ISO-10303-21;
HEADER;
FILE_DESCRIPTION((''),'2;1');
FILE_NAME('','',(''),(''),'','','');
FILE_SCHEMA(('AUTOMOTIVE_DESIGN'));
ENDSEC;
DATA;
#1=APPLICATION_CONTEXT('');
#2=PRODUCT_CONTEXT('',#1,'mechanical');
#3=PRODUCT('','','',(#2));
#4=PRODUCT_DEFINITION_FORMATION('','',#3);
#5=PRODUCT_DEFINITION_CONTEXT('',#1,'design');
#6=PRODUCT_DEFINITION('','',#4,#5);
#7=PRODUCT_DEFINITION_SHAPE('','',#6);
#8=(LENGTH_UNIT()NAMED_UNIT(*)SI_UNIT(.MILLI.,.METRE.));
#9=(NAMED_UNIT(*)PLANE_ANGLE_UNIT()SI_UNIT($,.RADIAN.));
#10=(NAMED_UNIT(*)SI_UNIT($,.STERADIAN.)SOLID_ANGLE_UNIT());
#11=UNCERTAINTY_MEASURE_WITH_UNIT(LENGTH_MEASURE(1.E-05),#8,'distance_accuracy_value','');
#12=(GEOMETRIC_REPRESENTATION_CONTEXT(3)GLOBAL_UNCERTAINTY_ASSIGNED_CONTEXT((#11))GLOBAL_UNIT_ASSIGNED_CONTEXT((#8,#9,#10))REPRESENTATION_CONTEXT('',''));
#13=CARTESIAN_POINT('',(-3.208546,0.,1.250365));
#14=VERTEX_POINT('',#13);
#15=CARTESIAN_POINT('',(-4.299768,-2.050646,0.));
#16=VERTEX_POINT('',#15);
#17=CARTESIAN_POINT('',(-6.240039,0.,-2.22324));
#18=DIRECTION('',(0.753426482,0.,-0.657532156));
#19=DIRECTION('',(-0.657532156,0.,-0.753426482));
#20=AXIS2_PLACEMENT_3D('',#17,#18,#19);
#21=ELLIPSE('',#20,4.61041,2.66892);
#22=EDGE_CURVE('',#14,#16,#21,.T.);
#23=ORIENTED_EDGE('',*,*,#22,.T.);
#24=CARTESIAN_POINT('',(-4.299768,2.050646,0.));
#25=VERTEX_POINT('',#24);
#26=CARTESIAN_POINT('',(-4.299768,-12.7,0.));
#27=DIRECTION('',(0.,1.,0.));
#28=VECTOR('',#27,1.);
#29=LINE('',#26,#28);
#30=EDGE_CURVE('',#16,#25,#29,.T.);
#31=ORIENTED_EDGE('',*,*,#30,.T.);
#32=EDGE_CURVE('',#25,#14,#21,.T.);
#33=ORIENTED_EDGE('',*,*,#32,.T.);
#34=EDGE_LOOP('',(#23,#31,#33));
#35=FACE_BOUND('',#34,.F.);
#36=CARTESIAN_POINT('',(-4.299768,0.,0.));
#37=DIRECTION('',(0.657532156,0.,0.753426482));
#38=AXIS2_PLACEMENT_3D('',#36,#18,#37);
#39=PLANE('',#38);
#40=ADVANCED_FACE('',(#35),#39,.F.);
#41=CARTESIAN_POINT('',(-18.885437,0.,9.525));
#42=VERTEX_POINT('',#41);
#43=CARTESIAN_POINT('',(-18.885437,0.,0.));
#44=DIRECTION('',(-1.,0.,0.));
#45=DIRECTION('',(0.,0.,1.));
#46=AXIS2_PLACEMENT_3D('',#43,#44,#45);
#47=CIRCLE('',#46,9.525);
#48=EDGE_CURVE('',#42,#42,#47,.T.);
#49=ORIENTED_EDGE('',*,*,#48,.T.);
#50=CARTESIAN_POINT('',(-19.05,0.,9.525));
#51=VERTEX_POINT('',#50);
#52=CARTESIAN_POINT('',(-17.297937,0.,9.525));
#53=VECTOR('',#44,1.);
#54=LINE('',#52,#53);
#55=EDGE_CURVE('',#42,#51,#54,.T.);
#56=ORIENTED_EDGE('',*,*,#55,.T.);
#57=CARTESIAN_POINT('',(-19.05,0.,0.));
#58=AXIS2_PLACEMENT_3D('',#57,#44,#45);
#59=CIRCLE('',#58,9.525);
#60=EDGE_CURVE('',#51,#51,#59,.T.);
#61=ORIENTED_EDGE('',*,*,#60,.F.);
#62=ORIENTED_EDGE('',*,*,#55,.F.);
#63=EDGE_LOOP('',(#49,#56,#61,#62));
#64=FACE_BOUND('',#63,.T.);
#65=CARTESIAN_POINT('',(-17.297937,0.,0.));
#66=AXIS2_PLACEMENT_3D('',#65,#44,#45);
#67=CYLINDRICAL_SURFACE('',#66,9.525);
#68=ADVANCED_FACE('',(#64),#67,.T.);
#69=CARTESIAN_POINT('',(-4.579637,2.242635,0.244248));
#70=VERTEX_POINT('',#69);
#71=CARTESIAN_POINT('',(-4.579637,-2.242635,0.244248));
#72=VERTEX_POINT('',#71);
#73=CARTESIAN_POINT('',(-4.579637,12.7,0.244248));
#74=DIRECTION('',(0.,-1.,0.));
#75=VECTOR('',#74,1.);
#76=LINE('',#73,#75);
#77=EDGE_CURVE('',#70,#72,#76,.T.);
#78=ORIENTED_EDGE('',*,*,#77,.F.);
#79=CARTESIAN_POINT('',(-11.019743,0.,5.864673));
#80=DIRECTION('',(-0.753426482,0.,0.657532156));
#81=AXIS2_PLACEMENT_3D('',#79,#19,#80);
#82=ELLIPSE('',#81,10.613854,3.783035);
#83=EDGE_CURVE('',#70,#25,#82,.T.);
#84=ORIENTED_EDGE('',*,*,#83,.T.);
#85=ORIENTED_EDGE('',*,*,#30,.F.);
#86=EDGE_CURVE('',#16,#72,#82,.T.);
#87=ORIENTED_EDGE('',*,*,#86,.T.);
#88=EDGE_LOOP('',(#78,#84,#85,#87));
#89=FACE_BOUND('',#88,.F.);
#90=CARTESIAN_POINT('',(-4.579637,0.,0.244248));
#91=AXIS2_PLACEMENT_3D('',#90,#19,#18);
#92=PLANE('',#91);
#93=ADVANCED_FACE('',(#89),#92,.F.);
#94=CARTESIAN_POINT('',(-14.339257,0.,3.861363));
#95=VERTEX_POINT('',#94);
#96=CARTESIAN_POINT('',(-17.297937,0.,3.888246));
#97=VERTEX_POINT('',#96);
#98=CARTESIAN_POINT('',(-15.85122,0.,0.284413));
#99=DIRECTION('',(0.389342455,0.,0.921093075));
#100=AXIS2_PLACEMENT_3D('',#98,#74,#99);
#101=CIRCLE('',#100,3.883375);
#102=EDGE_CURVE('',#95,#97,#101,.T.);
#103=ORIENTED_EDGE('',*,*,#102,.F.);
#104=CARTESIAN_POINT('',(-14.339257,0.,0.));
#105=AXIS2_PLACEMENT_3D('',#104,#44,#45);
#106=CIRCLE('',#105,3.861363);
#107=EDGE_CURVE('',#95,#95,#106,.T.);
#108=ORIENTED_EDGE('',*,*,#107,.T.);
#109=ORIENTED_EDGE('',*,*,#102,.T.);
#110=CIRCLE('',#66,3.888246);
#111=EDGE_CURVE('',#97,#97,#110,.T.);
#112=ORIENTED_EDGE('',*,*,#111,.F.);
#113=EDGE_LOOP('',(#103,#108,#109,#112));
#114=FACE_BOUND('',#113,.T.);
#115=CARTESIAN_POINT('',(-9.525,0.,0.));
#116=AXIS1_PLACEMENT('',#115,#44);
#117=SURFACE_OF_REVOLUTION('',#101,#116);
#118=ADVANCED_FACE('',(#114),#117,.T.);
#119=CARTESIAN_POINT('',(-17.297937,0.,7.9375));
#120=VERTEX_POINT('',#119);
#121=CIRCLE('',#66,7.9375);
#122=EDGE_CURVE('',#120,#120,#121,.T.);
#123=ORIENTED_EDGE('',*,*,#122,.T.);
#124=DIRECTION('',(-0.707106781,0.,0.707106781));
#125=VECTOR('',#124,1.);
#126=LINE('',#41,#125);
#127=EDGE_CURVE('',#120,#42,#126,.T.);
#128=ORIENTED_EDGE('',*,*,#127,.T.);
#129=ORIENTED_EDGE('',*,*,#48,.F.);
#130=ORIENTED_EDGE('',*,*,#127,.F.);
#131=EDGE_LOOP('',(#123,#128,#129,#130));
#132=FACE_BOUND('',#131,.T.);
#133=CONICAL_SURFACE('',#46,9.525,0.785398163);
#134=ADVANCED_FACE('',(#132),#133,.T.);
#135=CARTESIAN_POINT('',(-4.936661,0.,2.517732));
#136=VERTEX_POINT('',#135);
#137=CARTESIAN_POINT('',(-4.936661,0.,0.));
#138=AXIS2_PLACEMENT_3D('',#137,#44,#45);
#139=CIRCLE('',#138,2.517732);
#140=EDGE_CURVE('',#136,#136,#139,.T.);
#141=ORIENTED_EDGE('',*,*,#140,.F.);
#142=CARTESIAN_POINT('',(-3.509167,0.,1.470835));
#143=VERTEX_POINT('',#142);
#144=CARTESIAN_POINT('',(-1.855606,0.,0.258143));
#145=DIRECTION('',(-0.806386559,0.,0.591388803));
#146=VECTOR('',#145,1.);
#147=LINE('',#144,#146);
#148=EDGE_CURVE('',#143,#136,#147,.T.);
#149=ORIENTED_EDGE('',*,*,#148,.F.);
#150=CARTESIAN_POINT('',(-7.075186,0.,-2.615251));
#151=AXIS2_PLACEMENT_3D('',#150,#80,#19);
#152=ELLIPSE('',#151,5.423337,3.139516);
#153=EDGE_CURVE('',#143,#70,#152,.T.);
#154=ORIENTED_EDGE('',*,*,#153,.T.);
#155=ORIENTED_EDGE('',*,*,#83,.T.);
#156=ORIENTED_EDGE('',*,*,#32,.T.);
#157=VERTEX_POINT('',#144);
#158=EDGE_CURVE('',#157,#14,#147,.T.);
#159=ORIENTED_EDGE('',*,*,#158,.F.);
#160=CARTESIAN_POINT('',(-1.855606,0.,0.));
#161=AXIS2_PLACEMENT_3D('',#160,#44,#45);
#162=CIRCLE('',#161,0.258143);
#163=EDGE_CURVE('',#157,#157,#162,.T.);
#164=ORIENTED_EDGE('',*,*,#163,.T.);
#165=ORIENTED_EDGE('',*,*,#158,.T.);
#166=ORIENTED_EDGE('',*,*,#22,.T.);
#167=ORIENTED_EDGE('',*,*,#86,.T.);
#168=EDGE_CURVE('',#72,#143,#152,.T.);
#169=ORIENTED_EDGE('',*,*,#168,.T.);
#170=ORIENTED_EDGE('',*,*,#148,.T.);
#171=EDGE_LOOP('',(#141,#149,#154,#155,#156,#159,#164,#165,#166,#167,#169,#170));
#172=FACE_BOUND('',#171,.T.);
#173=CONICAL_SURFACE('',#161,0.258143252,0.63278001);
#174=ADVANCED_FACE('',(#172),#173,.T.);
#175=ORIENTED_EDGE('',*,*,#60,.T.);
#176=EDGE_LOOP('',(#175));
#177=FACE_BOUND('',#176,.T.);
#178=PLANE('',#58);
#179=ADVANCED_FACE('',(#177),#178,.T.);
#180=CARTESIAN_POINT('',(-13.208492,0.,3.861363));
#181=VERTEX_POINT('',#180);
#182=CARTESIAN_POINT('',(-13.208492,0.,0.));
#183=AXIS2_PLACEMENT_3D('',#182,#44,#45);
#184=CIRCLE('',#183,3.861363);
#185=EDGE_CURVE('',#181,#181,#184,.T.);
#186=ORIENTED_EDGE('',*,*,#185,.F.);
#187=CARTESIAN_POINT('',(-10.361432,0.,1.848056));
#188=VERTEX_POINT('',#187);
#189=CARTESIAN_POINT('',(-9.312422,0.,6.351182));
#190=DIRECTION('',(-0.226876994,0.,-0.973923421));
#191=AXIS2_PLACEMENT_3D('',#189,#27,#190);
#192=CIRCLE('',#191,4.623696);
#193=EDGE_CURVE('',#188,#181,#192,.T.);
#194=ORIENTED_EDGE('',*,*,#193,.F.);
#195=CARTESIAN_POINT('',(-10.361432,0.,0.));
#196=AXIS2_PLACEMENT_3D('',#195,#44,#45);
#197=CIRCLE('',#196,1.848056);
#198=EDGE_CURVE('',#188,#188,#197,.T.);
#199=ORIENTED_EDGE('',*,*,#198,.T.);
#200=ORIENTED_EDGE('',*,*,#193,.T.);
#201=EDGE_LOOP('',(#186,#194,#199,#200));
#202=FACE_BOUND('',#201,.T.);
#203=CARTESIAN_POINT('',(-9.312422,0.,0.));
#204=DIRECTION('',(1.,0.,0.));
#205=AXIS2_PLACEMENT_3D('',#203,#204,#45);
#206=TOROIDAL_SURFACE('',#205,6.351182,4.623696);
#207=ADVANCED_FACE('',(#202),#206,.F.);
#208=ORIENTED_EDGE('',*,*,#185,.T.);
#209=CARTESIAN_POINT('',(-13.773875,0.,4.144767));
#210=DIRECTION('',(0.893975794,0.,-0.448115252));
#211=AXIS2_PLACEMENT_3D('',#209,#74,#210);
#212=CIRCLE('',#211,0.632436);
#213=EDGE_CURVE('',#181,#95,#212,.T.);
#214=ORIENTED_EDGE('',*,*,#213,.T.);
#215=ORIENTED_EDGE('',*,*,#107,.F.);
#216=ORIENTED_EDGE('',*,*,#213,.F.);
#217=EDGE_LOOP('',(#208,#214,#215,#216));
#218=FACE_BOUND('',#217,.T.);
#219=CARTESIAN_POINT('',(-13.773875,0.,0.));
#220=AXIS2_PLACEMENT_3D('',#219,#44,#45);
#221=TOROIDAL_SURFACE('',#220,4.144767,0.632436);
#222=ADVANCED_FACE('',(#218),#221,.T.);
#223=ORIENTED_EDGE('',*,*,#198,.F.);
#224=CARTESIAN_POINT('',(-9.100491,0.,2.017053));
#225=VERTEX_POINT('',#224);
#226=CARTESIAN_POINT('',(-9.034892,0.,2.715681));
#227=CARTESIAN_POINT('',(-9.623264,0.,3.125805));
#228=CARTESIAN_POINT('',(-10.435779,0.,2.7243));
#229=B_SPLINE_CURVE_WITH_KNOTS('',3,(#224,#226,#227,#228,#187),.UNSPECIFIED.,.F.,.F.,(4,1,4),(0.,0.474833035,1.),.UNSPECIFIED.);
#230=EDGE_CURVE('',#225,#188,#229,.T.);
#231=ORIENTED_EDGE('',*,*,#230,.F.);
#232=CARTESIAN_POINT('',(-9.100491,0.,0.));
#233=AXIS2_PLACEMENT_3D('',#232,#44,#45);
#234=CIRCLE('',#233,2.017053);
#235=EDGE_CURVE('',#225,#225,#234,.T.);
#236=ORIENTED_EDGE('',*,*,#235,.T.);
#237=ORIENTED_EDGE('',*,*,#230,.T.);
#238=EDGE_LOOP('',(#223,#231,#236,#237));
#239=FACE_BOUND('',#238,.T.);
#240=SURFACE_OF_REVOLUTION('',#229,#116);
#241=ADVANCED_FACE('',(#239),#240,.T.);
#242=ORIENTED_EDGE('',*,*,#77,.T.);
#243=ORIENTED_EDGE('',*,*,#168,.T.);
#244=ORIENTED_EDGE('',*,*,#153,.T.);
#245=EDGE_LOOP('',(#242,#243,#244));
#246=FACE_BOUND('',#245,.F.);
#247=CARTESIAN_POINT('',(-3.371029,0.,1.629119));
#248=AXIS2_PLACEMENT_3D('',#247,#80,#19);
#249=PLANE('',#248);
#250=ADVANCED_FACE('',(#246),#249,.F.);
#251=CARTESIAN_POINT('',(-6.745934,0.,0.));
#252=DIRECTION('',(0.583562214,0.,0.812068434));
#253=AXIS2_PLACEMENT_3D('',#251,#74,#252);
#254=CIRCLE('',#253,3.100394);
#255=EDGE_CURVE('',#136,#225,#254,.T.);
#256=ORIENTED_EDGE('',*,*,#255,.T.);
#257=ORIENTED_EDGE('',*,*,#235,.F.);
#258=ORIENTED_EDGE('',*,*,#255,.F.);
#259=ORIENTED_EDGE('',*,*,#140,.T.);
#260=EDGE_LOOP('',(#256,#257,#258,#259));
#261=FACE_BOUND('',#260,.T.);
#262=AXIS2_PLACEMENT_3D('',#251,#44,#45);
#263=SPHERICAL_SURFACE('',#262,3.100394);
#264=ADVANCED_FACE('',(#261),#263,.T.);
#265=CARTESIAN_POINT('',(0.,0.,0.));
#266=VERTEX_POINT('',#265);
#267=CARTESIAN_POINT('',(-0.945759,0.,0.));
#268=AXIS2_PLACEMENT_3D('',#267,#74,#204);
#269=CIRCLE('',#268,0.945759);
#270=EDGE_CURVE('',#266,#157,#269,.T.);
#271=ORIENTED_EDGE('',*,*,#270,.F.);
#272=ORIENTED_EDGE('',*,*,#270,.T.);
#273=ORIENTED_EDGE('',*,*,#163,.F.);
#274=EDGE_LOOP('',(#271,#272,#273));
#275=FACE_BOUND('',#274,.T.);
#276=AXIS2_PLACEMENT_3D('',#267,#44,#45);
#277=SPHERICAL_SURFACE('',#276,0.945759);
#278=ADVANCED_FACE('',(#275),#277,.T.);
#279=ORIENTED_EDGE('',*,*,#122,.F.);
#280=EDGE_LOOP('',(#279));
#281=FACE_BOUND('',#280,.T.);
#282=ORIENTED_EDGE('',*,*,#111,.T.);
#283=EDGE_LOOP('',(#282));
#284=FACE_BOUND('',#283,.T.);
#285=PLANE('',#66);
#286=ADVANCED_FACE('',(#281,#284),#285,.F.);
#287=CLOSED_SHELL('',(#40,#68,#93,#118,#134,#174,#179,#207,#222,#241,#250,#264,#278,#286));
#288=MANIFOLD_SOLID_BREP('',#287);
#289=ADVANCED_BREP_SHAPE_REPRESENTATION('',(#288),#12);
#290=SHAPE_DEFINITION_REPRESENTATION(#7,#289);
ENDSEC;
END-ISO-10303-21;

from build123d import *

# Parameters (mm, degrees)
F3_DEPTH = 12.7
F4_SIZE  = 1.5875


with BuildPart() as f1:
    # F0 (on Front) → F1 (revolve)
    with BuildSketch(Plane.XZ):
        with BuildLine():
            Line((-19.05, 0), (0, 0))
            ThreePointArc((0, 0), (-0.8154439902, 0.9367376524), (-1.8556055019, 0.258143252))
            Line((-1.8556055019, 0.258143252), (-4.9366613587, 2.5177319258))
            ThreePointArc((-4.9366613587, 2.5177319258), (-7.1160743184, 3.0782199038), (-9.1004914632, 2.0170525194))
            add(Edge.make_bspline(
                [(-9.1004914632, 2.0170525194), (-9.0348920267, 2.7156813272), (-9.6232644942, 3.1258050353), (-10.4357792433, 2.7243000189), (-10.3614320607, 1.8480558917)],
                knots=[0, 0, 0, 0, 0.4748330346, 1, 1, 1, 1], degree=3))
            ThreePointArc((-10.3614320607, 1.8480558917), (-11.9820298371, 2.5760316776), (-13.2084923798, 3.8613625802))
            ThreePointArc((-13.2084923798, 3.8613625802), (-13.7738747057, 4.7772025554), (-14.3392570317, 3.8613625802))
            ThreePointArc((-14.3392570317, 3.8613625802), (-15.8159361724, 4.1676274604), (-17.2979366034, 3.888245672))
            Line((-17.2979366034, 3.888245672), (-17.2979366034, 9.525))
            Line((-17.2979366034, 9.525), (-19.05, 9.525))
            Line((-19.05, 9.525), (-19.05, 0))
        make_face()
    revolve(axis=Axis((-9.525, 0, 0), (-1, 0, 0)))

    # F2 (on Front) → F3 (cut, symmetric)
    with BuildSketch(Plane.XZ):
        Polygon((-3.0518410046, 1.4299241076), (-3.3710291349, 1.6291189579), (-4.5796369454, 0.2442480844), (-4.299767781, 0), align=None)
    extrude(amount=F3_DEPTH, both=True, mode=Mode.SUBTRACT)

    # F4
    f4_edges = [f1.edges().sort_by_distance(p)[0] for p in [
        (-17.297937, 0, -9.525),
    ]]
    chamfer(f4_edges, length=F4_SIZE)


solid = f1.part
